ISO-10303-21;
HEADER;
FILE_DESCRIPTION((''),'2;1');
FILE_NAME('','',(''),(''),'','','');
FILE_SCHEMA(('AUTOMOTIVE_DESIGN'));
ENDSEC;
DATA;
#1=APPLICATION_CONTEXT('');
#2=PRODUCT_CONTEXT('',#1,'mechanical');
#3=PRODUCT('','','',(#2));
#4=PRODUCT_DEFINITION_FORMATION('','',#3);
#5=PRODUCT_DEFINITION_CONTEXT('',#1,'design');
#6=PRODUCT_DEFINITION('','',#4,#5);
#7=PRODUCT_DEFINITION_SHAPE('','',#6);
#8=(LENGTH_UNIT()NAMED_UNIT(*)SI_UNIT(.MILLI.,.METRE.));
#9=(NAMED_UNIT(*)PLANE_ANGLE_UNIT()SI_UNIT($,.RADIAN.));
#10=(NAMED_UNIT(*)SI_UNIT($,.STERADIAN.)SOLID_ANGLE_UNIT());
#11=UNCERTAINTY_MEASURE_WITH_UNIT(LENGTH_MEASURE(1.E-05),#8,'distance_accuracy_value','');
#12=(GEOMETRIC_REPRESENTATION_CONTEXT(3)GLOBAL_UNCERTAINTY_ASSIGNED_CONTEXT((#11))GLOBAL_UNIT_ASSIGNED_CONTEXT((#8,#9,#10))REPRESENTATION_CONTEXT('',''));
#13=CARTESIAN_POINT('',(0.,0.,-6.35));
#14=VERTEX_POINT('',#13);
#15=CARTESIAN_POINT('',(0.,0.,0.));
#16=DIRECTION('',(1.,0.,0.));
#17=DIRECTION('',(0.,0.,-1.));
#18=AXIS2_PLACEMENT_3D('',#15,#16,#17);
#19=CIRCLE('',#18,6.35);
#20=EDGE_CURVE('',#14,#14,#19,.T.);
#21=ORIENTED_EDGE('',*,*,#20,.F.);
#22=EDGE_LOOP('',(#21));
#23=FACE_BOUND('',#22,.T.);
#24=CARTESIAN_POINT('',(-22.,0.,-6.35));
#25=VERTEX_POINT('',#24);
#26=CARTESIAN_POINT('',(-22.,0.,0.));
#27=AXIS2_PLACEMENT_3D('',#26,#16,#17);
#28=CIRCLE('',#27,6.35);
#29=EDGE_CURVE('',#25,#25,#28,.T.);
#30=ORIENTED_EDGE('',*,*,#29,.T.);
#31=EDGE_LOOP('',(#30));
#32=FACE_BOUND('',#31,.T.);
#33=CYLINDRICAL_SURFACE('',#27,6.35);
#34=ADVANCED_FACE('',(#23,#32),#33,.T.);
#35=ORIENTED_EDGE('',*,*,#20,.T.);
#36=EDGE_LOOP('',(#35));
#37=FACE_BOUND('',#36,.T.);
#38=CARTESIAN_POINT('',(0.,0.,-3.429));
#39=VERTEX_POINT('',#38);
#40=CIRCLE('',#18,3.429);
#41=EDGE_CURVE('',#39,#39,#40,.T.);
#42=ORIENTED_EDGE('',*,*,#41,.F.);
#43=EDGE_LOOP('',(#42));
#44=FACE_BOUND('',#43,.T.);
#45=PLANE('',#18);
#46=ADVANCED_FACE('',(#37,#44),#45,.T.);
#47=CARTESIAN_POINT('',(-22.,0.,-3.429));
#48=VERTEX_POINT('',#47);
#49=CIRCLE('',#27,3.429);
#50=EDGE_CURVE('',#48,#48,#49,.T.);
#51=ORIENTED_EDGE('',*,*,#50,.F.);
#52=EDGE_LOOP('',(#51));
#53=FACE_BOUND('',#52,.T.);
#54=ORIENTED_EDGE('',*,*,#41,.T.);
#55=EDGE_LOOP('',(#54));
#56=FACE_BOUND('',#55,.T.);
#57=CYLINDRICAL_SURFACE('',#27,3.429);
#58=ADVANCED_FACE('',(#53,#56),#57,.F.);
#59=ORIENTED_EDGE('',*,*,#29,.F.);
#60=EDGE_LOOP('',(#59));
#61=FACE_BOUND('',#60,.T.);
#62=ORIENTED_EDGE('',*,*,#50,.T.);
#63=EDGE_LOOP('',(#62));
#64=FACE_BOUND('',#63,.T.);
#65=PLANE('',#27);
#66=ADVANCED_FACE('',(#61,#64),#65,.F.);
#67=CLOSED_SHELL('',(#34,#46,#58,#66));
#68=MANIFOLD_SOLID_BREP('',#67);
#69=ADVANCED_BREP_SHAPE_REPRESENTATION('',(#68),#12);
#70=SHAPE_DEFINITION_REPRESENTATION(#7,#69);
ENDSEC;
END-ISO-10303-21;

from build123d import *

# Parameters (mm, degrees)
ESQUISSE1_R        = 6.35
ESQUISSE1_R_2      = 3.429
BOSS_EXTRU_1_DEPTH = 22


with BuildPart() as part:
    # Esquisse1 → Boss.-Extru.1 (new body)
    with BuildSketch(Plane(origin=(0, 0, 0), x_dir=(0, 0, -1), z_dir=(1, 0, 0))):
        Circle(ESQUISSE1_R)
        Circle(ESQUISSE1_R_2, mode=Mode.SUBTRACT)
    extrude(amount=-BOSS_EXTRU_1_DEPTH)


solid = part.part
